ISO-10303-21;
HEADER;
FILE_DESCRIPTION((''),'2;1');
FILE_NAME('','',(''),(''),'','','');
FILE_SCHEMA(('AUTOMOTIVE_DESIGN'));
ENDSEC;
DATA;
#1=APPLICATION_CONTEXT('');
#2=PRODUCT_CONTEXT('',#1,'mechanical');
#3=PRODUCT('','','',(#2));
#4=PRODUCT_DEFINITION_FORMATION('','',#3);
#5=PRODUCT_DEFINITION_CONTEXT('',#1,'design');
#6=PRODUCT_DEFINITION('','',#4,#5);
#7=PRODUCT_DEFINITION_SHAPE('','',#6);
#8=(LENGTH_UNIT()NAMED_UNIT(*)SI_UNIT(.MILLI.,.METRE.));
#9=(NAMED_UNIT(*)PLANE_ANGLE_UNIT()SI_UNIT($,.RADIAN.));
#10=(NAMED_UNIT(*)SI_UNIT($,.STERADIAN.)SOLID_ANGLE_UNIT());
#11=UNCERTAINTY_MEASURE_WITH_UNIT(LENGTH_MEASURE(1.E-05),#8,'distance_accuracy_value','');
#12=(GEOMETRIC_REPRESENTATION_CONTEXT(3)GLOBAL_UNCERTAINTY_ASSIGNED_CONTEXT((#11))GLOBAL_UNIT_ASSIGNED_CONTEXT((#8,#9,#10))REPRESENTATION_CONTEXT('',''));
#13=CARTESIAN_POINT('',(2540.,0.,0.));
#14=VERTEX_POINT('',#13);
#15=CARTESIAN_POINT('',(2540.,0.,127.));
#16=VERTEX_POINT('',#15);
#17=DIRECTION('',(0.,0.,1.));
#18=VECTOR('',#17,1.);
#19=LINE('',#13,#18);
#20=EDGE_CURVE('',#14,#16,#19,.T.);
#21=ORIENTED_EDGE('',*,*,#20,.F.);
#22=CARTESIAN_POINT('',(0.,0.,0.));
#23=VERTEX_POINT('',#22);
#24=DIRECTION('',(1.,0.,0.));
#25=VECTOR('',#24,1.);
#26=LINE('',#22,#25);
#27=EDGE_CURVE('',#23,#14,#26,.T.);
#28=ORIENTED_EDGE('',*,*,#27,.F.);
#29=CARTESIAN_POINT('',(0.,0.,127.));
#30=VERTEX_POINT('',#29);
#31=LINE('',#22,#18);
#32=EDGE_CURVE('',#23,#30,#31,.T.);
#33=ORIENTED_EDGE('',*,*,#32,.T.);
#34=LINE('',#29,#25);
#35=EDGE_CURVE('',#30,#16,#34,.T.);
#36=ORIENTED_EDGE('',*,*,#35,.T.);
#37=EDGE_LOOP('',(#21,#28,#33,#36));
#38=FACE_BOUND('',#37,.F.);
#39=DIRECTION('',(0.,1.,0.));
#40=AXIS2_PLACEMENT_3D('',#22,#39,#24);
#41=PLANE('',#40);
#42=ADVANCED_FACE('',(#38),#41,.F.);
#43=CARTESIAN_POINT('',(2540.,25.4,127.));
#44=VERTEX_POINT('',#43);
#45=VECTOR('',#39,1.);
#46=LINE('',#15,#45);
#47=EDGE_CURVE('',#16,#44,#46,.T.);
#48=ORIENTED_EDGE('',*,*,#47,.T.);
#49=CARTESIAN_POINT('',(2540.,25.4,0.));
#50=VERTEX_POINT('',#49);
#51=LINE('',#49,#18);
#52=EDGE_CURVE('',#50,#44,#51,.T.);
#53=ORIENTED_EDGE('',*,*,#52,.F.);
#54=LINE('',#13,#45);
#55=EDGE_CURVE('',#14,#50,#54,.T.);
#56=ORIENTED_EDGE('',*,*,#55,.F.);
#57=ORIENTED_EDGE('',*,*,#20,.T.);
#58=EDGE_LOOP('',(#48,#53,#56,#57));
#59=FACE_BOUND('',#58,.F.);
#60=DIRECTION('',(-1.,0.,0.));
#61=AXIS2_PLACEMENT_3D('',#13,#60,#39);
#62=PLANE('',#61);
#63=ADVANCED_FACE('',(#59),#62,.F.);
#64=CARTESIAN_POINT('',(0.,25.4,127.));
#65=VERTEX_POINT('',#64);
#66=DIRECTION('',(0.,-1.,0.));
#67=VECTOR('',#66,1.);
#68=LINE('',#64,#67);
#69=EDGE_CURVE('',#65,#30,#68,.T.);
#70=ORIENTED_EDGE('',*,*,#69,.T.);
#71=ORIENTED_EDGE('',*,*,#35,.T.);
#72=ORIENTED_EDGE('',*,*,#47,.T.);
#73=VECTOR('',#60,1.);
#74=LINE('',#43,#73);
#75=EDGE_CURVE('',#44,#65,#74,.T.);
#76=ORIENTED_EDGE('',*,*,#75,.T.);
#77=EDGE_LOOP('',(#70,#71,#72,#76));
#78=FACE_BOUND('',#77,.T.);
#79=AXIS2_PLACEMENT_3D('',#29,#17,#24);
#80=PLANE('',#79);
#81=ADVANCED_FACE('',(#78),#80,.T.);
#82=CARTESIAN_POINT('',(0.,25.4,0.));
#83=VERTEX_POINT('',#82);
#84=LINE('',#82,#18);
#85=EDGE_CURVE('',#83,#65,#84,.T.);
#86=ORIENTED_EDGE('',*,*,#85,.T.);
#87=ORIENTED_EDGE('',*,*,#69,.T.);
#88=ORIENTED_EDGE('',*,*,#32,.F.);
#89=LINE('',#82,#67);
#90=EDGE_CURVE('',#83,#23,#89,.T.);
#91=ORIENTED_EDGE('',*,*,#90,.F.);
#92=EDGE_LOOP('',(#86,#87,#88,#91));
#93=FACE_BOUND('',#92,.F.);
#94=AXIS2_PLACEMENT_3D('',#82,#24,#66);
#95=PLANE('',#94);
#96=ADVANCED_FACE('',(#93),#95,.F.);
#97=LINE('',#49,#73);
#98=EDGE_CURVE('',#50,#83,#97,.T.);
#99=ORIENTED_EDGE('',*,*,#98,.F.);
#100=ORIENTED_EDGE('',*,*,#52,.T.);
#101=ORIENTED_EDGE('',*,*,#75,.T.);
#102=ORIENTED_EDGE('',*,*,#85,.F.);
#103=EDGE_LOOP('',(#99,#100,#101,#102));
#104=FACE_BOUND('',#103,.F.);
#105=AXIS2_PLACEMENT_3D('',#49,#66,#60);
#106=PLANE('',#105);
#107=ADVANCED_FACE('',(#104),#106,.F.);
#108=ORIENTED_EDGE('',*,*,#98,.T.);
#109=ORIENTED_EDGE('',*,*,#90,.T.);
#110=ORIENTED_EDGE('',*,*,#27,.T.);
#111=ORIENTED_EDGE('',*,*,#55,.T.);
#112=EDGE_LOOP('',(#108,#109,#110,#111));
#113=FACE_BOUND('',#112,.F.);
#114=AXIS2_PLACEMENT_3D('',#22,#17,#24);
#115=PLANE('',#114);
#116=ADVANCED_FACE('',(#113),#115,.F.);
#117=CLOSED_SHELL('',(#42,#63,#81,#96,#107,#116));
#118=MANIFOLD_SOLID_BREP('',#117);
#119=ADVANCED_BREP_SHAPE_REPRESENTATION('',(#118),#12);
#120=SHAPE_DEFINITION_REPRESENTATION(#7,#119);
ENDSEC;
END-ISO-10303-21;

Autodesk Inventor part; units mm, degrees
ref_plane "YZ Plane" through (0, 0, 0) normal (1, 0, 0) x (0, 1, 0)
ref_plane "XZ Plane" through (0, 0, 0) normal (0, 1, 0) x (-1, 0, 0)
ref_plane "XY Plane" through (0, 0, 0) normal (0, 0, 1) x (1, 0, 0)
sketch "Sketch1" plane through (0, 0, 0) normal (0, 0, 1) x (1, 0, 0)
  line L0 (0, 0) -> (2540, 0)
  line L1 (2540, 0) -> (2540, 25.4)
  line L2 (2540, 25.4) -> (0, 25.4)
  line L3 (0, 25.4) -> (0, 0)
  dimension "d0" = 2540
  dimension "d1" = 25.4
extrude "Extrusion1" add sketch "Sketch1" along normal blind 127
properties part number "bottom hiding bar"
